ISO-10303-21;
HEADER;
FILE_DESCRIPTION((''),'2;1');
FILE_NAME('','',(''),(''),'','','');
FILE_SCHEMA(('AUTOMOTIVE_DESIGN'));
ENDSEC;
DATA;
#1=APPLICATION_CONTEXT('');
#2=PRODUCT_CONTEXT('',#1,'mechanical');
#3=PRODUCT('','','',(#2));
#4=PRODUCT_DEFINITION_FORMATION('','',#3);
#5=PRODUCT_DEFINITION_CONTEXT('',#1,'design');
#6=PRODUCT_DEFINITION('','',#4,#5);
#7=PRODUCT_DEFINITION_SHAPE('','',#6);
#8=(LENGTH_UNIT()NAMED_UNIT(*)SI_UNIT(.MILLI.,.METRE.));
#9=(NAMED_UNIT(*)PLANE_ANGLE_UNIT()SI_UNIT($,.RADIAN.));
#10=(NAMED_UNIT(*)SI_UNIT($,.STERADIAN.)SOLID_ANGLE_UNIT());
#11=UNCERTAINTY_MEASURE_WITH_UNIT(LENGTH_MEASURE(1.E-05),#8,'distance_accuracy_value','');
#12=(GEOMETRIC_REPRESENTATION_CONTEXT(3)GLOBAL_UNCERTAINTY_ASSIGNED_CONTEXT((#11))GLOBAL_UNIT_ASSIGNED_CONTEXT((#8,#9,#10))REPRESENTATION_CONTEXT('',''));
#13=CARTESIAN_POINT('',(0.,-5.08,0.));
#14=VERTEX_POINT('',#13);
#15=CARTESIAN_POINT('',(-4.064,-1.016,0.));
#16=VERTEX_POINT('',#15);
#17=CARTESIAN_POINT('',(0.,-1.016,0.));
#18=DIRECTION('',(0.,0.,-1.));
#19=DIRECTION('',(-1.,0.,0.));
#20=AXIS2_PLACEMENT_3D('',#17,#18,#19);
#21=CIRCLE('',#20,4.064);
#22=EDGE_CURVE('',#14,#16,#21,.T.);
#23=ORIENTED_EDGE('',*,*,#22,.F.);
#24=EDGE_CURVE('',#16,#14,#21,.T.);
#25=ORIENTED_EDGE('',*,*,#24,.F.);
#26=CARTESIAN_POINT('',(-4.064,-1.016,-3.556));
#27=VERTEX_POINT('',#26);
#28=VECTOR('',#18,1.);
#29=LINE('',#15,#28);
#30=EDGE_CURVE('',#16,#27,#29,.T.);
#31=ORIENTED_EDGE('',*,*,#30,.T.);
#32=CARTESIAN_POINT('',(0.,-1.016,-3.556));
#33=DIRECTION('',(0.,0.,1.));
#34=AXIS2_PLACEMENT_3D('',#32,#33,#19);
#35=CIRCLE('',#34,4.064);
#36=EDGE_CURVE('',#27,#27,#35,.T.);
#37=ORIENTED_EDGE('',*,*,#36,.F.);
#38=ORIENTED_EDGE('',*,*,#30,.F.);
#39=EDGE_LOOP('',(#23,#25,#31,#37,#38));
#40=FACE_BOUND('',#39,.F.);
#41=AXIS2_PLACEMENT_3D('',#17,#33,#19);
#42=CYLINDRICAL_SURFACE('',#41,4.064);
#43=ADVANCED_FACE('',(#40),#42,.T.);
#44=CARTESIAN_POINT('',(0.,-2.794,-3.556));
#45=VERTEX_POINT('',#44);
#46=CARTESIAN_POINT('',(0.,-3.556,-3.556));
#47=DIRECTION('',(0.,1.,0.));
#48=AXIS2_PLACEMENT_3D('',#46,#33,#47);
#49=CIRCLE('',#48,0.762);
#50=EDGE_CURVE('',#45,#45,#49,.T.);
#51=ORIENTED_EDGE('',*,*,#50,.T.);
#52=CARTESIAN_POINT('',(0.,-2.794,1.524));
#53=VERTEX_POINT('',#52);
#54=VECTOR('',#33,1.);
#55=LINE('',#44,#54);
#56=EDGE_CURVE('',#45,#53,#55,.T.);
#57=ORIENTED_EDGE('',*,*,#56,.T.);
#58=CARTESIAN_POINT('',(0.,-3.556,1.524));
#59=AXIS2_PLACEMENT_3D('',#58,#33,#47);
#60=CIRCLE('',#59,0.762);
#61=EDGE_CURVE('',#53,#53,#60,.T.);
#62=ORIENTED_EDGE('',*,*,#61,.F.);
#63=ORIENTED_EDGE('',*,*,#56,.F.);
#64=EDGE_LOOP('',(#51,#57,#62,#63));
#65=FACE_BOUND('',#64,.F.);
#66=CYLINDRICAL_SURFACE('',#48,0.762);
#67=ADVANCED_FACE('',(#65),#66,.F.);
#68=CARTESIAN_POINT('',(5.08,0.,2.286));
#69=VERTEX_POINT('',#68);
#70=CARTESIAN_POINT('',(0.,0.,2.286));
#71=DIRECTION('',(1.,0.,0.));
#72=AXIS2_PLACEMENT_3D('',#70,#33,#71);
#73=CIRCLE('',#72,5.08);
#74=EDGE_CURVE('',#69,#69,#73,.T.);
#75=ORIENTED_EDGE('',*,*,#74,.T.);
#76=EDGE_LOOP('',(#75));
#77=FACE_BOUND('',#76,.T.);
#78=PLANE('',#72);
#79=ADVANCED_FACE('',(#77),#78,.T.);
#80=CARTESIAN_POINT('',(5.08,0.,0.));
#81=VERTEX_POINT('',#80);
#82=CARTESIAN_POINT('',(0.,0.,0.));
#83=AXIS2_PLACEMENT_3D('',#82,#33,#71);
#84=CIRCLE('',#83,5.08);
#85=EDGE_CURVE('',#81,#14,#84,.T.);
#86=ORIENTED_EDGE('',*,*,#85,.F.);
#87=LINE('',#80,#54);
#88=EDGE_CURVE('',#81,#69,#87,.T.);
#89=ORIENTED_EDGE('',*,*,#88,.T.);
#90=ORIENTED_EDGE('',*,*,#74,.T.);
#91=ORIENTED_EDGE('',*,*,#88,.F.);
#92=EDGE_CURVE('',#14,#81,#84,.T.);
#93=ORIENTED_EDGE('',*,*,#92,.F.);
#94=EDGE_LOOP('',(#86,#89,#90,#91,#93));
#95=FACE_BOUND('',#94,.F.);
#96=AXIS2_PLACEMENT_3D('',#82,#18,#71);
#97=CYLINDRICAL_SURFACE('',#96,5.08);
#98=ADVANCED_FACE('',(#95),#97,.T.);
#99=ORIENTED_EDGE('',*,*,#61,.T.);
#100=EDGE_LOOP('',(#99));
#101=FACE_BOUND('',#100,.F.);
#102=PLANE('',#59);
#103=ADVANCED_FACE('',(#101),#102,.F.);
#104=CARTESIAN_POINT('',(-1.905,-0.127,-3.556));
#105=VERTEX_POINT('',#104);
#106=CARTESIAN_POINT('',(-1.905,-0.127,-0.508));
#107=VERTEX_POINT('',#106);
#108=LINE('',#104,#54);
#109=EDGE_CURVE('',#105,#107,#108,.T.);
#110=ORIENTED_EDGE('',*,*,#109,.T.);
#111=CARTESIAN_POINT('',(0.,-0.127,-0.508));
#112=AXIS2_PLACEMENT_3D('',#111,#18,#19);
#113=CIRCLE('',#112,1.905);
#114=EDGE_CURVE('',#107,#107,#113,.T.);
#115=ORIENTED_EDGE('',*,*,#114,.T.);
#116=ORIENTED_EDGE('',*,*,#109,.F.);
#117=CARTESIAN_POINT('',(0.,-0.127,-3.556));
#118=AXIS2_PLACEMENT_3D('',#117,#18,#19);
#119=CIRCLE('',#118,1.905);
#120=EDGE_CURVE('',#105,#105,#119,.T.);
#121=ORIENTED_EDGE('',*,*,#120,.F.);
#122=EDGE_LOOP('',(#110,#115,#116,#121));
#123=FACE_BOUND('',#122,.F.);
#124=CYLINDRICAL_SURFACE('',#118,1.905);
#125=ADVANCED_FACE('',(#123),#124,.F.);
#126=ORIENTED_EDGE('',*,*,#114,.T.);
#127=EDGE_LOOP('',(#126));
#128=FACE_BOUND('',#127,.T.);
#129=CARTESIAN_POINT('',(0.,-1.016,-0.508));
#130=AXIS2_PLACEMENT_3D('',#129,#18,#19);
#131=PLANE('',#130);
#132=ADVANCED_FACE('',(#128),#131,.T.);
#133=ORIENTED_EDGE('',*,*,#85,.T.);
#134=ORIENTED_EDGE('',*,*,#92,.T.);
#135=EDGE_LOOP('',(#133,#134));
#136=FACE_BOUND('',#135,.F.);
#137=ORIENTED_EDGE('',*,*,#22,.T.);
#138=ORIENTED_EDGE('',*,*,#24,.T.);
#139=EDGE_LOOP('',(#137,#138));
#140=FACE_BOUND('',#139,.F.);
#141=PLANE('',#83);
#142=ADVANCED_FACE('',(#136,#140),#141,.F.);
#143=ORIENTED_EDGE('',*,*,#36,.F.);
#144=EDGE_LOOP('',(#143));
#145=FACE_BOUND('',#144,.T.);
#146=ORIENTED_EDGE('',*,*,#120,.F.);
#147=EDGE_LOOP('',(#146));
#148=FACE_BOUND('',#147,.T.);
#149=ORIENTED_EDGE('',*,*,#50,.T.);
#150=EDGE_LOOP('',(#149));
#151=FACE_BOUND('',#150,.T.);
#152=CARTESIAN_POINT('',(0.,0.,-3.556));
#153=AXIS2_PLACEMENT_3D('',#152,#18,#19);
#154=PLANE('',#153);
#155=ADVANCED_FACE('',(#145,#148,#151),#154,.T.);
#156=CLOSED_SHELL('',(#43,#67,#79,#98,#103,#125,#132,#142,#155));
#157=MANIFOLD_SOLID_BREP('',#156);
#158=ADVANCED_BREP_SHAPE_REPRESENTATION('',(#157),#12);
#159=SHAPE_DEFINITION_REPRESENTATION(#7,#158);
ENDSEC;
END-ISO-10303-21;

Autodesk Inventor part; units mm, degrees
ref_plane "YZ Plane" through (0, 0, 0) normal (1, 0, 0) x (0, 1, 0)
ref_plane "XZ Plane" through (0, 0, 0) normal (0, 1, 0) x (-1, 0, 0)
ref_plane "XY Plane" through (0, 0, 0) normal (0, 0, 1) x (1, 0, 0)
sketch "Sketch1" plane through (0, 0, 0) normal (0, 0, 1) x (1, 0, 0)
  circle A0 centre (0, 0) radius 5.08
  dimension "d0" = 10.16
extrude "Extrusion1" add sketch "Sketch1" along normal blind 2.286
sketch "Sketch2" plane through (0, 0, 0) normal (0, 0, -1) x (-1, 0, 0)
  circle A0 centre (0, -1.016) radius 4.064
  circle A1 centre (0, 0) radius 5.08 projected
  dimension "d3" = 8.128
extrude "Extrusion2" add sketch "Sketch2" along normal blind 3.556 contours A0
sketch "Sketch3" plane through (0, -1.016, -3.556) normal (0, 0, -1) x (-1, 0, 0)
  circle A0 centre (0, 1.016) radius 5.08 projected
  point P0 (0, -2.54)
  point P1 (0, -4.064)
  dimension "d6" = 1.524
hole "Hole1" at (0, -3.556, -3.556) direction (0, 0, 1) diameter 1.524 depth 5.08
sketch "Sketch4" plane through (0, -1.016, -3.556) normal (0, 0, -1) x (-1, 0, 0)
  circle A0 centre (0, 0.889) radius 1.905
  circle A1 centre (0, -2.54) radius 0.762 projected
  circle A2 centre (0, 0) radius 4.064 projected
  point P0 (0, 1.016)
  point P1 (0, -1.778)
  point P2 (0, 2.794)
  point P3 (0, 4.064)
  dimension "d14" = 3.81
  dimension "d16" = 1.27
extrude "Extrusion3" cut sketch "Sketch4" against normal blind 3.048 contours A0
properties part number "Back motor" material "Phenolic Resin"
